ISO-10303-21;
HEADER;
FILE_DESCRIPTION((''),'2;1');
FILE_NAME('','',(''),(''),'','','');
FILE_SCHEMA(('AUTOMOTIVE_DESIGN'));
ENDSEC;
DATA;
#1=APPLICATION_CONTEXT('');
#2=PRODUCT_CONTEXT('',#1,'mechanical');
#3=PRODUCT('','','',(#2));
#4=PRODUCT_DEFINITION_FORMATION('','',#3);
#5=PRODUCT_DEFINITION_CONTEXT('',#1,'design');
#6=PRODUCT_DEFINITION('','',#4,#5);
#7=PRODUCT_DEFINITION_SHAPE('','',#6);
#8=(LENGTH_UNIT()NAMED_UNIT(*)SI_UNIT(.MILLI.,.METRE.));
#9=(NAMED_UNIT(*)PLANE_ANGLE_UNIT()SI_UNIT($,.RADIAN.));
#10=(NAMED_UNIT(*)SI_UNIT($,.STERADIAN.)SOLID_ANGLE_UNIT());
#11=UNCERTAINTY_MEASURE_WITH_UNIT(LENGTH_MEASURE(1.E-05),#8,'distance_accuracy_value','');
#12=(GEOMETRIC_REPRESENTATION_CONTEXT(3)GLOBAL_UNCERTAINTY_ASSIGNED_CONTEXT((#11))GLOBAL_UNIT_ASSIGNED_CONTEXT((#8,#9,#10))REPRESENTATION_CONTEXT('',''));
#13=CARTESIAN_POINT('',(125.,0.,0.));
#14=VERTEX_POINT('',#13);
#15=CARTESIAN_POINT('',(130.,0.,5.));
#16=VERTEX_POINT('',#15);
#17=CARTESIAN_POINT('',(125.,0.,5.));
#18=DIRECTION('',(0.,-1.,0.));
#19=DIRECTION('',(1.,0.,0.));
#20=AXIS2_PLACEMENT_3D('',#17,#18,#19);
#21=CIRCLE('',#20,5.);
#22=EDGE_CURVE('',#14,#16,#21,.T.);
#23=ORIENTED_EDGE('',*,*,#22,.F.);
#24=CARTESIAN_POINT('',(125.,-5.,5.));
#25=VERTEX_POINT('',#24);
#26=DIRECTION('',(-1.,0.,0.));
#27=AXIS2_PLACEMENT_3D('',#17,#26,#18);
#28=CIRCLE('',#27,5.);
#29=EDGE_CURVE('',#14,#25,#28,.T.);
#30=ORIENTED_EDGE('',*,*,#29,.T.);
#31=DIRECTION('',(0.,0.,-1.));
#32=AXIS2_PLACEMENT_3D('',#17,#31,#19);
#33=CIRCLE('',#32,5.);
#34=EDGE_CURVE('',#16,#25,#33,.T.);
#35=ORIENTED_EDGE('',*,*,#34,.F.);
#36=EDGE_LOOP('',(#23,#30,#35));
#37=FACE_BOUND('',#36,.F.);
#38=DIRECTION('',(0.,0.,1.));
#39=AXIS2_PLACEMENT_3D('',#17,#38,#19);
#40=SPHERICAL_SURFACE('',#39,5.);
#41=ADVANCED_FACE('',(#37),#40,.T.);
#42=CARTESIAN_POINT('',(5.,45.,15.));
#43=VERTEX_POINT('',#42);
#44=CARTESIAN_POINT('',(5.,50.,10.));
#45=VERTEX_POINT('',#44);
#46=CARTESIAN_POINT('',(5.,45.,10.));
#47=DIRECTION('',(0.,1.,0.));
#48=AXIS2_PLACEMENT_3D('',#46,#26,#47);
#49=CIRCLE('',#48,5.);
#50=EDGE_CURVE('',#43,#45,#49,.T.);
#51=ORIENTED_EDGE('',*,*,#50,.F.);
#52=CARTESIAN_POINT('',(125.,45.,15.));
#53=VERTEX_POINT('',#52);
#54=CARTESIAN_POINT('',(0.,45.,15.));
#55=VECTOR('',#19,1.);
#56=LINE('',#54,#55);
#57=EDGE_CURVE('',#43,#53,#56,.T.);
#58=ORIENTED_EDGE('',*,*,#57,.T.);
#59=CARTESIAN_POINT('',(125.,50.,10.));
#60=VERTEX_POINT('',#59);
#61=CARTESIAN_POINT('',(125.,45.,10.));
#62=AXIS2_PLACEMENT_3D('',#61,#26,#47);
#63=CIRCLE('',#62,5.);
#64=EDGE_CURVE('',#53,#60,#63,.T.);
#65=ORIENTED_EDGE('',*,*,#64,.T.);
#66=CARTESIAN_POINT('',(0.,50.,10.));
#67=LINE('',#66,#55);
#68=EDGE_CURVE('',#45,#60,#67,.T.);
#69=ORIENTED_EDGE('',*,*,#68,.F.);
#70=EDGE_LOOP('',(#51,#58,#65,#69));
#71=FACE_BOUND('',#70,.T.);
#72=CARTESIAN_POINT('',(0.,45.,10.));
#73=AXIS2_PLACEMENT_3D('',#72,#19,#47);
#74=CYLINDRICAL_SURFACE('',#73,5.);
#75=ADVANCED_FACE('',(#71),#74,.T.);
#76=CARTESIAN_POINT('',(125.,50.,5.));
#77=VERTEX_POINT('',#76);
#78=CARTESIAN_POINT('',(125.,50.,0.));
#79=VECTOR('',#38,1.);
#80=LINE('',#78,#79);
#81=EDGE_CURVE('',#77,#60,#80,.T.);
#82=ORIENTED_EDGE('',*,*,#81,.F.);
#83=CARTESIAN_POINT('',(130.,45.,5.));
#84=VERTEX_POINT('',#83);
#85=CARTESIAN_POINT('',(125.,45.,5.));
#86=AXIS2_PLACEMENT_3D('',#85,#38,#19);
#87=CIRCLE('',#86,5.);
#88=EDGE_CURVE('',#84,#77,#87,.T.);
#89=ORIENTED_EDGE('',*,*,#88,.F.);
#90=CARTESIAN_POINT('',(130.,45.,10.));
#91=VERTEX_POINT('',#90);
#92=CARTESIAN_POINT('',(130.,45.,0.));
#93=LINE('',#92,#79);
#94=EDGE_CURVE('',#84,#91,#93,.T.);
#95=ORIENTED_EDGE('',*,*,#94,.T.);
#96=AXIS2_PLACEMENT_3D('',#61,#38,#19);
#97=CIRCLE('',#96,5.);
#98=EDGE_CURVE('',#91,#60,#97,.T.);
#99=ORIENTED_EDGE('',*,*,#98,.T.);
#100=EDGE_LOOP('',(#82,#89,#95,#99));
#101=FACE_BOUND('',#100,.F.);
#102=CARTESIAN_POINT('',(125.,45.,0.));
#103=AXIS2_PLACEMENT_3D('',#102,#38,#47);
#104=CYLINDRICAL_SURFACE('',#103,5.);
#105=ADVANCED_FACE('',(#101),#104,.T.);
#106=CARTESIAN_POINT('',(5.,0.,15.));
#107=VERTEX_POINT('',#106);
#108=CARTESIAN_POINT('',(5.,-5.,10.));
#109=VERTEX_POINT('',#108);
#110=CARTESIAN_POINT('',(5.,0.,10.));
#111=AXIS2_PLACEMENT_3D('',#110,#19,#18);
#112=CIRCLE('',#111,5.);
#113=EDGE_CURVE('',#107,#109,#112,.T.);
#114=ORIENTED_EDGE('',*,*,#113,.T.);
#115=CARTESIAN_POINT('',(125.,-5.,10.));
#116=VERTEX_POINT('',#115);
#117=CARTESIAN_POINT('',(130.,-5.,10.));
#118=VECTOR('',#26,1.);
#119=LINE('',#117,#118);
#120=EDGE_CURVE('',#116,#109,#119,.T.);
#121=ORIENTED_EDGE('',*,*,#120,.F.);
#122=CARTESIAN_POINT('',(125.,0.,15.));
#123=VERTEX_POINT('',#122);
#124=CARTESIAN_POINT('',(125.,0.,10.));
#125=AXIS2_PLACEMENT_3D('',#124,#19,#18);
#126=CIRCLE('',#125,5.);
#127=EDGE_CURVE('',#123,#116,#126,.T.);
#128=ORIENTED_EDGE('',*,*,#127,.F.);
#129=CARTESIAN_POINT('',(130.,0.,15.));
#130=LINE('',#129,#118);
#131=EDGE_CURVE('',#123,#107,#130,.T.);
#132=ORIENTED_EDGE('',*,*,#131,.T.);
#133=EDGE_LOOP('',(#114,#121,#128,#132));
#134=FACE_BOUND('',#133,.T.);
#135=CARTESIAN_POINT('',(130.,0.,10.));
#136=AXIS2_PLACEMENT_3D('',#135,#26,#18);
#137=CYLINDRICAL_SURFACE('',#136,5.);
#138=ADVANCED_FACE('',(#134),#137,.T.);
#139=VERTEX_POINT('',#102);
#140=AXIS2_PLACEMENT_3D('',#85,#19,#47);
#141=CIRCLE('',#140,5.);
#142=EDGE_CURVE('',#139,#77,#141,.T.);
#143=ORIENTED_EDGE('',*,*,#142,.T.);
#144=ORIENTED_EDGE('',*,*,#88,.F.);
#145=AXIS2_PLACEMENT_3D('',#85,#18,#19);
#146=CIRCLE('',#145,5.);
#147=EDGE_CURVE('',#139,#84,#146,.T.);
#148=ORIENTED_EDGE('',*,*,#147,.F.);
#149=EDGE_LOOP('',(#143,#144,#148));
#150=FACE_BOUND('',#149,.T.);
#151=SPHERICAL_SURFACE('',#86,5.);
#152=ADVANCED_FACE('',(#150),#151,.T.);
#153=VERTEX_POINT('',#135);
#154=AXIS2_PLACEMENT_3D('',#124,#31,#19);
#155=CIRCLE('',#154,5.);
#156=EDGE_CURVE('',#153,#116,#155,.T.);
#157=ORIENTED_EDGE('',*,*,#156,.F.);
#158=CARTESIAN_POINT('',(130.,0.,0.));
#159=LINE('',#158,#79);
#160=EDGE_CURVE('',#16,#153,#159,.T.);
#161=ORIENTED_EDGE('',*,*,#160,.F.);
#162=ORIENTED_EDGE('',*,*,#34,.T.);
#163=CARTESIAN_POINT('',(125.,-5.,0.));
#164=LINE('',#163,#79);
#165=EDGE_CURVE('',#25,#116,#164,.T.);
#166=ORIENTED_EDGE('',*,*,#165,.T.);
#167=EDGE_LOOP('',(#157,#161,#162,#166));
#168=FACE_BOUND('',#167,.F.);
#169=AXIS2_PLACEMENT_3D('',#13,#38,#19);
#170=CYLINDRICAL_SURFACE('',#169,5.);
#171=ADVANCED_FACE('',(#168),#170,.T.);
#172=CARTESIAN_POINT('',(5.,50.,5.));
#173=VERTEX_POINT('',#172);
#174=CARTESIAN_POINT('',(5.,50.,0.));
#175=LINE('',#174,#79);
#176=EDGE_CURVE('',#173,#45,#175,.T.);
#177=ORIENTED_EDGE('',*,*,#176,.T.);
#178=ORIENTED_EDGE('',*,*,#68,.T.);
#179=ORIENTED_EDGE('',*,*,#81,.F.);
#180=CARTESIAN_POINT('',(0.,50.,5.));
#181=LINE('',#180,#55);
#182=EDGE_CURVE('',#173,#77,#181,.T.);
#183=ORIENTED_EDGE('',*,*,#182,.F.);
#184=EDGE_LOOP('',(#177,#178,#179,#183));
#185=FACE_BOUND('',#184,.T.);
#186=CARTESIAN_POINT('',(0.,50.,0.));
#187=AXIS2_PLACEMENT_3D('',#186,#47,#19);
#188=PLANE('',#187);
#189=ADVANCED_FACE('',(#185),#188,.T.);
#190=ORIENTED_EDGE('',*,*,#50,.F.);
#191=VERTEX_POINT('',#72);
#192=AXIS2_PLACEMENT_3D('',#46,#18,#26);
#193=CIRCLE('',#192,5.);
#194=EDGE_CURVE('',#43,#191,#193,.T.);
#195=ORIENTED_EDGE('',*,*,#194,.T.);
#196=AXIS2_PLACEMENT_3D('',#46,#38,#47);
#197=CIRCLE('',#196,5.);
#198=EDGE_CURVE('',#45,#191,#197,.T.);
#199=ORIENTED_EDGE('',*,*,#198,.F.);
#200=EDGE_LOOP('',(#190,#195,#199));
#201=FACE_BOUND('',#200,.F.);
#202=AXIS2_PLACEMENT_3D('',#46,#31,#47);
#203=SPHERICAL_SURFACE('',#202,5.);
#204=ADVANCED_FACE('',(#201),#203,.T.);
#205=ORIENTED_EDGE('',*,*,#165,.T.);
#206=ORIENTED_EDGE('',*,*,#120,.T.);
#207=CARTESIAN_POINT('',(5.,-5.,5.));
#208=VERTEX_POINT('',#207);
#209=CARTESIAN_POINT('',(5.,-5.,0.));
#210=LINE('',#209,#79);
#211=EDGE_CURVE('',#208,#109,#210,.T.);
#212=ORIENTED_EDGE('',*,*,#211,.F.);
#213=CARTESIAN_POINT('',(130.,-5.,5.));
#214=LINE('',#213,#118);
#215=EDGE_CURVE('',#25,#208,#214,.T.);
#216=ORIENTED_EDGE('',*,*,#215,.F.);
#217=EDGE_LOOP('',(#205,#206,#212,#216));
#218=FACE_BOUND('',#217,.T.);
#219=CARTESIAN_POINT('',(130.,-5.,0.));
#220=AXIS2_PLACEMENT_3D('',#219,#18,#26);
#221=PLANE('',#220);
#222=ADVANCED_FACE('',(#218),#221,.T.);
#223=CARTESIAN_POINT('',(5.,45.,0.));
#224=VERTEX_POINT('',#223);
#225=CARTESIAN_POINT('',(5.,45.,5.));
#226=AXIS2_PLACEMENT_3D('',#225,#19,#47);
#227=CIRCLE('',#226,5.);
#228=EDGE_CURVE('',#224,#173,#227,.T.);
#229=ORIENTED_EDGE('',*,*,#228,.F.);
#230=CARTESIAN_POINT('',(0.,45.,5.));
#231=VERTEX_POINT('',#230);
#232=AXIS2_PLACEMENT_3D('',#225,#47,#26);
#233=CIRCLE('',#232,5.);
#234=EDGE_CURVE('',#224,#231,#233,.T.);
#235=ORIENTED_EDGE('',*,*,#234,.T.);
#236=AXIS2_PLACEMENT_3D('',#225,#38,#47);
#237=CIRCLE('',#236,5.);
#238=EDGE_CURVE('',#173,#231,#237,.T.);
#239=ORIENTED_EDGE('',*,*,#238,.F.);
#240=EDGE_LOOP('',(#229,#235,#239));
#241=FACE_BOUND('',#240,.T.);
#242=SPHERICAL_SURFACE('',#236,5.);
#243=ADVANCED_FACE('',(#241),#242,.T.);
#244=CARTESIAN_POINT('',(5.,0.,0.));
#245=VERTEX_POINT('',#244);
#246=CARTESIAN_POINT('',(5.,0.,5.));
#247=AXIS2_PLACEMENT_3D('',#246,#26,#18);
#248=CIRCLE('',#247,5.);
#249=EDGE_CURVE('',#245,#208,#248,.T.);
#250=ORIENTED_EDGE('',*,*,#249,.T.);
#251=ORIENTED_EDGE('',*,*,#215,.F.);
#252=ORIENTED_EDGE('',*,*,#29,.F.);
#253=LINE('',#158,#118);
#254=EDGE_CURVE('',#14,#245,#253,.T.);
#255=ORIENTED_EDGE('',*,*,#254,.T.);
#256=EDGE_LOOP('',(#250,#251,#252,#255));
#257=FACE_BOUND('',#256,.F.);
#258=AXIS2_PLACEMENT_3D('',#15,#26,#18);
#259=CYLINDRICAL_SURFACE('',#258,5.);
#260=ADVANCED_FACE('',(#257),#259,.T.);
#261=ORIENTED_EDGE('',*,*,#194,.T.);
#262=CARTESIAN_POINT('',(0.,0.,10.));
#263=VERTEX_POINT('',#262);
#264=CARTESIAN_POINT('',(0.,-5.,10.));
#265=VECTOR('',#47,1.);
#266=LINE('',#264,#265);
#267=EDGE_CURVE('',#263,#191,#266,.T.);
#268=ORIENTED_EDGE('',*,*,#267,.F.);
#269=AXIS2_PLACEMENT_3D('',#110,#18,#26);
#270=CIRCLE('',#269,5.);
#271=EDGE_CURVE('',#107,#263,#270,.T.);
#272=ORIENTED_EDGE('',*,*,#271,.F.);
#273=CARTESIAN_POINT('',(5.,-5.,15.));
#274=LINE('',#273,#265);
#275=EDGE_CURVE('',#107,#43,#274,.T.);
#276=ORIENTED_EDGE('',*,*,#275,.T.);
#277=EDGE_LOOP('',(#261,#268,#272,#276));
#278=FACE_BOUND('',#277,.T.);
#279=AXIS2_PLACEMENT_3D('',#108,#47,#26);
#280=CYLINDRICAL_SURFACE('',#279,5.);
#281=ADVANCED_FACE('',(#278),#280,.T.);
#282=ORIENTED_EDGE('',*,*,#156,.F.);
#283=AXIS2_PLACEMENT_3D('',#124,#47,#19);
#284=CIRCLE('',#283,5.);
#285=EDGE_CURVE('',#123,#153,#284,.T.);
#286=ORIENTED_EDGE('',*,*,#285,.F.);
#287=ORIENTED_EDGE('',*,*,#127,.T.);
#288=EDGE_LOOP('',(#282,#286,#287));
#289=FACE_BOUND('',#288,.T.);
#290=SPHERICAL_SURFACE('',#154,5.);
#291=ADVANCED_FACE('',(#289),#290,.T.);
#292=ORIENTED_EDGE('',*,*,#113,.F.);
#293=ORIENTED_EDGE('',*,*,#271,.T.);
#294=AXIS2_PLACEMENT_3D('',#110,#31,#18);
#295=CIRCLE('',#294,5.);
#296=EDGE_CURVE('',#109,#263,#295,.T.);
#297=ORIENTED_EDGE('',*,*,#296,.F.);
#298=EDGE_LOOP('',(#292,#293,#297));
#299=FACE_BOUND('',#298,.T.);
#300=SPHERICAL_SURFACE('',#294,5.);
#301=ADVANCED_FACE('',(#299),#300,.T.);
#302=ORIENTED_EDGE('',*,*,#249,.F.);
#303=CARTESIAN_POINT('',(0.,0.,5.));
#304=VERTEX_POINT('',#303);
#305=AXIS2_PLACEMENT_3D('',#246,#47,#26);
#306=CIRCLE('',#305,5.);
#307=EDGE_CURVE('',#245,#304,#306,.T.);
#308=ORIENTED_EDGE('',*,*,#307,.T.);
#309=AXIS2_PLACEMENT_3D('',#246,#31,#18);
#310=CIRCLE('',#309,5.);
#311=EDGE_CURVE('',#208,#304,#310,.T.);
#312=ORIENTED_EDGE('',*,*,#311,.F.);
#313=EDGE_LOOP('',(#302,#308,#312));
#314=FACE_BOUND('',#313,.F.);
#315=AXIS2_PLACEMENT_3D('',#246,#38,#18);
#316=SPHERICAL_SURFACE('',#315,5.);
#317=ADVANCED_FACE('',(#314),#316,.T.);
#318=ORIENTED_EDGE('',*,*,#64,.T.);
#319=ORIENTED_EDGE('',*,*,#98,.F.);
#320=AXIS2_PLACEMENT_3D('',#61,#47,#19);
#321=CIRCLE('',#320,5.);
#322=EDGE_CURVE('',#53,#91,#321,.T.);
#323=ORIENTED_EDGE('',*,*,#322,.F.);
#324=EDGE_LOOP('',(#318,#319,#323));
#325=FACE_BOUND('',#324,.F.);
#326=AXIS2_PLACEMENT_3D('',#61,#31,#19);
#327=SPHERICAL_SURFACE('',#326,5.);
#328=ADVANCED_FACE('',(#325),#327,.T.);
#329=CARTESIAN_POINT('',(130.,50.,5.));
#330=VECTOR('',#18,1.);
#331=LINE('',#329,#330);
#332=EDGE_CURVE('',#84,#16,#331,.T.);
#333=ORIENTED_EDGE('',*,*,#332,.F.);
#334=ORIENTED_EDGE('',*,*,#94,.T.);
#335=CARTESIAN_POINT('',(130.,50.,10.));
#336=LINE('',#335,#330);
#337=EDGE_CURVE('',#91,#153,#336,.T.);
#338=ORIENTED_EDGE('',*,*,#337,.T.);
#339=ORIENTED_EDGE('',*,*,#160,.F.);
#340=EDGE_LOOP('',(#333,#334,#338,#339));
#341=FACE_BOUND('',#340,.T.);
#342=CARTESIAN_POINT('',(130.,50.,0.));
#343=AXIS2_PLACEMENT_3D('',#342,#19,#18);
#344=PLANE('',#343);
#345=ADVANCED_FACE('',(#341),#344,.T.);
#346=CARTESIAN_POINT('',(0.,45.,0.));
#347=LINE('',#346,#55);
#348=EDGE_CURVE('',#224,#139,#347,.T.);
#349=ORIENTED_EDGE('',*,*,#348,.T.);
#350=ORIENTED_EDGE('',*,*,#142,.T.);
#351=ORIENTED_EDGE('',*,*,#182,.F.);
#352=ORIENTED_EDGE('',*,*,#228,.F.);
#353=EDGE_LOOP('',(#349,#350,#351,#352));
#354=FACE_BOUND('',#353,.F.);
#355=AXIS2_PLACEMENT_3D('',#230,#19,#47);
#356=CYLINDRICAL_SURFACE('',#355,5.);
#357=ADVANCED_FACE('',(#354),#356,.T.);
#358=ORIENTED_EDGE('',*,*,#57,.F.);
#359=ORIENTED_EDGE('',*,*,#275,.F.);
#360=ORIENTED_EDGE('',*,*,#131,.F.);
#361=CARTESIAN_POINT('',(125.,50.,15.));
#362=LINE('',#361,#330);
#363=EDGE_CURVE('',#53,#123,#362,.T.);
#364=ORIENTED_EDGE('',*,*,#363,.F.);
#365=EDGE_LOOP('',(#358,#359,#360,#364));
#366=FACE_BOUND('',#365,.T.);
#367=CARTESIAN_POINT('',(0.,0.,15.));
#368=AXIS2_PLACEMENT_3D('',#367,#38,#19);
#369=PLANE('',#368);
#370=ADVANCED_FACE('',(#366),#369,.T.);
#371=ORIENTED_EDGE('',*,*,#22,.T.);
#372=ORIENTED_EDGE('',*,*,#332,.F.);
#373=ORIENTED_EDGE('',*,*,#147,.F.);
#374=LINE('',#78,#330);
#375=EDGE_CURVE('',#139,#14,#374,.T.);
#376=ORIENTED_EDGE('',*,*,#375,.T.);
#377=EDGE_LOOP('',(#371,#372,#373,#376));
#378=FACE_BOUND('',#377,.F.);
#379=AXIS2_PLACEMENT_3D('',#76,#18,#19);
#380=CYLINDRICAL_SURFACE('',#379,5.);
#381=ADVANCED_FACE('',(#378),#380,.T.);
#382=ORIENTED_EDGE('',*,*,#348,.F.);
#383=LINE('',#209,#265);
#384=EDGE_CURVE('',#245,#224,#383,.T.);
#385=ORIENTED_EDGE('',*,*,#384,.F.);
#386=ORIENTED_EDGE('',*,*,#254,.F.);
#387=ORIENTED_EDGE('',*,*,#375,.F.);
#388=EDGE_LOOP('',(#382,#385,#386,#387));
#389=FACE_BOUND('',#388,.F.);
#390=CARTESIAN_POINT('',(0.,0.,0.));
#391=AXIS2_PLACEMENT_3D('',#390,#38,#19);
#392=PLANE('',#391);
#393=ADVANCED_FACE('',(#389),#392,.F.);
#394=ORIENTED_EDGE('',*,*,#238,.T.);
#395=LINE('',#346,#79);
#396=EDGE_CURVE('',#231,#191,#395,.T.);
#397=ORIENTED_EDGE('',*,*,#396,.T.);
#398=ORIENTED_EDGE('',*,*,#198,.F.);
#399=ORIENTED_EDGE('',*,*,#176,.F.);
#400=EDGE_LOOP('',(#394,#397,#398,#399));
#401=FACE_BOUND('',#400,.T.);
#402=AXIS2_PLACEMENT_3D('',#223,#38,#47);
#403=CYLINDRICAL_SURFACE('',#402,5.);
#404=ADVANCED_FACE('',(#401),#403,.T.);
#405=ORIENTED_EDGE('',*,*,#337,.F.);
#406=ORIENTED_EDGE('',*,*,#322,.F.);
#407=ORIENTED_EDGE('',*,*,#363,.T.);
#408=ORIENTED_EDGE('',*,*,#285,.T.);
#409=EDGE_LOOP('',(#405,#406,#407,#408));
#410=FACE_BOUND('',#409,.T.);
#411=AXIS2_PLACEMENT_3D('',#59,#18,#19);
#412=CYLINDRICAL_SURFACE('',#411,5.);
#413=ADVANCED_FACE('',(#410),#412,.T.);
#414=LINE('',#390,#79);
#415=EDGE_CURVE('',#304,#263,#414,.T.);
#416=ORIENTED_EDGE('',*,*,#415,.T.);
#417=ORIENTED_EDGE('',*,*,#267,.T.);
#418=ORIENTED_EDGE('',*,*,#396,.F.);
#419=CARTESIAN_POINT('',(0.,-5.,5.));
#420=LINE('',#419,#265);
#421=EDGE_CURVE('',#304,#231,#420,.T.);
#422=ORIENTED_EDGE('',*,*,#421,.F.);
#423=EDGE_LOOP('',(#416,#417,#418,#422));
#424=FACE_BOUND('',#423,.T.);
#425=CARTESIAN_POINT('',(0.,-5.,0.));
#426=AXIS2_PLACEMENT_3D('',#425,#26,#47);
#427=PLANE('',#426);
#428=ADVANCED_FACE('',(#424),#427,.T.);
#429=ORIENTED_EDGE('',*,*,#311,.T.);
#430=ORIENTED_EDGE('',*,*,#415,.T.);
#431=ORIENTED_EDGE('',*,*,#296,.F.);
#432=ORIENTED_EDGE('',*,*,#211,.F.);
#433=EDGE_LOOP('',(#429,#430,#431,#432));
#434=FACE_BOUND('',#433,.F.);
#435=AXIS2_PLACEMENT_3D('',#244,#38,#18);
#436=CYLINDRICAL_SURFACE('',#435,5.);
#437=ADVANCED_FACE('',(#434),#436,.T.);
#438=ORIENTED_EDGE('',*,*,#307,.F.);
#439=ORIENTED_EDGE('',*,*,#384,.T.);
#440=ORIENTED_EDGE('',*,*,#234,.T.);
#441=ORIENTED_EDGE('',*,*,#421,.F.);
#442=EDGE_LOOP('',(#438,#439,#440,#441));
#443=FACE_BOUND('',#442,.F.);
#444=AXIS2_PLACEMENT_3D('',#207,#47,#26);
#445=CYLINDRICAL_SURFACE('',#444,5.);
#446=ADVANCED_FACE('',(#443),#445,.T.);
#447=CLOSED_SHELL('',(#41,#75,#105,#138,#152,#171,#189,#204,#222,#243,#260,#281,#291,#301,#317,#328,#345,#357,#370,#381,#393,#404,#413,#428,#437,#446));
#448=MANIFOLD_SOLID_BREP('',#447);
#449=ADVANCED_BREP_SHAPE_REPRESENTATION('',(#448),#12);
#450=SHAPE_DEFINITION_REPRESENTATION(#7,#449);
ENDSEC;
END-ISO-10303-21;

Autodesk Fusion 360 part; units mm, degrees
sketch "Sketch1" plane through (0, 0, 0) normal (0, 0, 1) x (1, 0, 0)
  line L0 (0, 50) -> (130, 50)
  line L1 (130, 50) -> (130, -5)
  line L2 (130, -5) -> (0, -5)
  line L3 (0, -5) -> (0, 50)
  dimension "d1" = 55
  dimension "d2" = 130
extrude "Extrude1" add sketch "Sketch1" along normal blind 15
fillet "Fillet1" radius 5 4 faces at (130, 31.6667, 5) (86.6667, -5, 5) (43.3333, 50, 5) (0, 13.3333, 5)
